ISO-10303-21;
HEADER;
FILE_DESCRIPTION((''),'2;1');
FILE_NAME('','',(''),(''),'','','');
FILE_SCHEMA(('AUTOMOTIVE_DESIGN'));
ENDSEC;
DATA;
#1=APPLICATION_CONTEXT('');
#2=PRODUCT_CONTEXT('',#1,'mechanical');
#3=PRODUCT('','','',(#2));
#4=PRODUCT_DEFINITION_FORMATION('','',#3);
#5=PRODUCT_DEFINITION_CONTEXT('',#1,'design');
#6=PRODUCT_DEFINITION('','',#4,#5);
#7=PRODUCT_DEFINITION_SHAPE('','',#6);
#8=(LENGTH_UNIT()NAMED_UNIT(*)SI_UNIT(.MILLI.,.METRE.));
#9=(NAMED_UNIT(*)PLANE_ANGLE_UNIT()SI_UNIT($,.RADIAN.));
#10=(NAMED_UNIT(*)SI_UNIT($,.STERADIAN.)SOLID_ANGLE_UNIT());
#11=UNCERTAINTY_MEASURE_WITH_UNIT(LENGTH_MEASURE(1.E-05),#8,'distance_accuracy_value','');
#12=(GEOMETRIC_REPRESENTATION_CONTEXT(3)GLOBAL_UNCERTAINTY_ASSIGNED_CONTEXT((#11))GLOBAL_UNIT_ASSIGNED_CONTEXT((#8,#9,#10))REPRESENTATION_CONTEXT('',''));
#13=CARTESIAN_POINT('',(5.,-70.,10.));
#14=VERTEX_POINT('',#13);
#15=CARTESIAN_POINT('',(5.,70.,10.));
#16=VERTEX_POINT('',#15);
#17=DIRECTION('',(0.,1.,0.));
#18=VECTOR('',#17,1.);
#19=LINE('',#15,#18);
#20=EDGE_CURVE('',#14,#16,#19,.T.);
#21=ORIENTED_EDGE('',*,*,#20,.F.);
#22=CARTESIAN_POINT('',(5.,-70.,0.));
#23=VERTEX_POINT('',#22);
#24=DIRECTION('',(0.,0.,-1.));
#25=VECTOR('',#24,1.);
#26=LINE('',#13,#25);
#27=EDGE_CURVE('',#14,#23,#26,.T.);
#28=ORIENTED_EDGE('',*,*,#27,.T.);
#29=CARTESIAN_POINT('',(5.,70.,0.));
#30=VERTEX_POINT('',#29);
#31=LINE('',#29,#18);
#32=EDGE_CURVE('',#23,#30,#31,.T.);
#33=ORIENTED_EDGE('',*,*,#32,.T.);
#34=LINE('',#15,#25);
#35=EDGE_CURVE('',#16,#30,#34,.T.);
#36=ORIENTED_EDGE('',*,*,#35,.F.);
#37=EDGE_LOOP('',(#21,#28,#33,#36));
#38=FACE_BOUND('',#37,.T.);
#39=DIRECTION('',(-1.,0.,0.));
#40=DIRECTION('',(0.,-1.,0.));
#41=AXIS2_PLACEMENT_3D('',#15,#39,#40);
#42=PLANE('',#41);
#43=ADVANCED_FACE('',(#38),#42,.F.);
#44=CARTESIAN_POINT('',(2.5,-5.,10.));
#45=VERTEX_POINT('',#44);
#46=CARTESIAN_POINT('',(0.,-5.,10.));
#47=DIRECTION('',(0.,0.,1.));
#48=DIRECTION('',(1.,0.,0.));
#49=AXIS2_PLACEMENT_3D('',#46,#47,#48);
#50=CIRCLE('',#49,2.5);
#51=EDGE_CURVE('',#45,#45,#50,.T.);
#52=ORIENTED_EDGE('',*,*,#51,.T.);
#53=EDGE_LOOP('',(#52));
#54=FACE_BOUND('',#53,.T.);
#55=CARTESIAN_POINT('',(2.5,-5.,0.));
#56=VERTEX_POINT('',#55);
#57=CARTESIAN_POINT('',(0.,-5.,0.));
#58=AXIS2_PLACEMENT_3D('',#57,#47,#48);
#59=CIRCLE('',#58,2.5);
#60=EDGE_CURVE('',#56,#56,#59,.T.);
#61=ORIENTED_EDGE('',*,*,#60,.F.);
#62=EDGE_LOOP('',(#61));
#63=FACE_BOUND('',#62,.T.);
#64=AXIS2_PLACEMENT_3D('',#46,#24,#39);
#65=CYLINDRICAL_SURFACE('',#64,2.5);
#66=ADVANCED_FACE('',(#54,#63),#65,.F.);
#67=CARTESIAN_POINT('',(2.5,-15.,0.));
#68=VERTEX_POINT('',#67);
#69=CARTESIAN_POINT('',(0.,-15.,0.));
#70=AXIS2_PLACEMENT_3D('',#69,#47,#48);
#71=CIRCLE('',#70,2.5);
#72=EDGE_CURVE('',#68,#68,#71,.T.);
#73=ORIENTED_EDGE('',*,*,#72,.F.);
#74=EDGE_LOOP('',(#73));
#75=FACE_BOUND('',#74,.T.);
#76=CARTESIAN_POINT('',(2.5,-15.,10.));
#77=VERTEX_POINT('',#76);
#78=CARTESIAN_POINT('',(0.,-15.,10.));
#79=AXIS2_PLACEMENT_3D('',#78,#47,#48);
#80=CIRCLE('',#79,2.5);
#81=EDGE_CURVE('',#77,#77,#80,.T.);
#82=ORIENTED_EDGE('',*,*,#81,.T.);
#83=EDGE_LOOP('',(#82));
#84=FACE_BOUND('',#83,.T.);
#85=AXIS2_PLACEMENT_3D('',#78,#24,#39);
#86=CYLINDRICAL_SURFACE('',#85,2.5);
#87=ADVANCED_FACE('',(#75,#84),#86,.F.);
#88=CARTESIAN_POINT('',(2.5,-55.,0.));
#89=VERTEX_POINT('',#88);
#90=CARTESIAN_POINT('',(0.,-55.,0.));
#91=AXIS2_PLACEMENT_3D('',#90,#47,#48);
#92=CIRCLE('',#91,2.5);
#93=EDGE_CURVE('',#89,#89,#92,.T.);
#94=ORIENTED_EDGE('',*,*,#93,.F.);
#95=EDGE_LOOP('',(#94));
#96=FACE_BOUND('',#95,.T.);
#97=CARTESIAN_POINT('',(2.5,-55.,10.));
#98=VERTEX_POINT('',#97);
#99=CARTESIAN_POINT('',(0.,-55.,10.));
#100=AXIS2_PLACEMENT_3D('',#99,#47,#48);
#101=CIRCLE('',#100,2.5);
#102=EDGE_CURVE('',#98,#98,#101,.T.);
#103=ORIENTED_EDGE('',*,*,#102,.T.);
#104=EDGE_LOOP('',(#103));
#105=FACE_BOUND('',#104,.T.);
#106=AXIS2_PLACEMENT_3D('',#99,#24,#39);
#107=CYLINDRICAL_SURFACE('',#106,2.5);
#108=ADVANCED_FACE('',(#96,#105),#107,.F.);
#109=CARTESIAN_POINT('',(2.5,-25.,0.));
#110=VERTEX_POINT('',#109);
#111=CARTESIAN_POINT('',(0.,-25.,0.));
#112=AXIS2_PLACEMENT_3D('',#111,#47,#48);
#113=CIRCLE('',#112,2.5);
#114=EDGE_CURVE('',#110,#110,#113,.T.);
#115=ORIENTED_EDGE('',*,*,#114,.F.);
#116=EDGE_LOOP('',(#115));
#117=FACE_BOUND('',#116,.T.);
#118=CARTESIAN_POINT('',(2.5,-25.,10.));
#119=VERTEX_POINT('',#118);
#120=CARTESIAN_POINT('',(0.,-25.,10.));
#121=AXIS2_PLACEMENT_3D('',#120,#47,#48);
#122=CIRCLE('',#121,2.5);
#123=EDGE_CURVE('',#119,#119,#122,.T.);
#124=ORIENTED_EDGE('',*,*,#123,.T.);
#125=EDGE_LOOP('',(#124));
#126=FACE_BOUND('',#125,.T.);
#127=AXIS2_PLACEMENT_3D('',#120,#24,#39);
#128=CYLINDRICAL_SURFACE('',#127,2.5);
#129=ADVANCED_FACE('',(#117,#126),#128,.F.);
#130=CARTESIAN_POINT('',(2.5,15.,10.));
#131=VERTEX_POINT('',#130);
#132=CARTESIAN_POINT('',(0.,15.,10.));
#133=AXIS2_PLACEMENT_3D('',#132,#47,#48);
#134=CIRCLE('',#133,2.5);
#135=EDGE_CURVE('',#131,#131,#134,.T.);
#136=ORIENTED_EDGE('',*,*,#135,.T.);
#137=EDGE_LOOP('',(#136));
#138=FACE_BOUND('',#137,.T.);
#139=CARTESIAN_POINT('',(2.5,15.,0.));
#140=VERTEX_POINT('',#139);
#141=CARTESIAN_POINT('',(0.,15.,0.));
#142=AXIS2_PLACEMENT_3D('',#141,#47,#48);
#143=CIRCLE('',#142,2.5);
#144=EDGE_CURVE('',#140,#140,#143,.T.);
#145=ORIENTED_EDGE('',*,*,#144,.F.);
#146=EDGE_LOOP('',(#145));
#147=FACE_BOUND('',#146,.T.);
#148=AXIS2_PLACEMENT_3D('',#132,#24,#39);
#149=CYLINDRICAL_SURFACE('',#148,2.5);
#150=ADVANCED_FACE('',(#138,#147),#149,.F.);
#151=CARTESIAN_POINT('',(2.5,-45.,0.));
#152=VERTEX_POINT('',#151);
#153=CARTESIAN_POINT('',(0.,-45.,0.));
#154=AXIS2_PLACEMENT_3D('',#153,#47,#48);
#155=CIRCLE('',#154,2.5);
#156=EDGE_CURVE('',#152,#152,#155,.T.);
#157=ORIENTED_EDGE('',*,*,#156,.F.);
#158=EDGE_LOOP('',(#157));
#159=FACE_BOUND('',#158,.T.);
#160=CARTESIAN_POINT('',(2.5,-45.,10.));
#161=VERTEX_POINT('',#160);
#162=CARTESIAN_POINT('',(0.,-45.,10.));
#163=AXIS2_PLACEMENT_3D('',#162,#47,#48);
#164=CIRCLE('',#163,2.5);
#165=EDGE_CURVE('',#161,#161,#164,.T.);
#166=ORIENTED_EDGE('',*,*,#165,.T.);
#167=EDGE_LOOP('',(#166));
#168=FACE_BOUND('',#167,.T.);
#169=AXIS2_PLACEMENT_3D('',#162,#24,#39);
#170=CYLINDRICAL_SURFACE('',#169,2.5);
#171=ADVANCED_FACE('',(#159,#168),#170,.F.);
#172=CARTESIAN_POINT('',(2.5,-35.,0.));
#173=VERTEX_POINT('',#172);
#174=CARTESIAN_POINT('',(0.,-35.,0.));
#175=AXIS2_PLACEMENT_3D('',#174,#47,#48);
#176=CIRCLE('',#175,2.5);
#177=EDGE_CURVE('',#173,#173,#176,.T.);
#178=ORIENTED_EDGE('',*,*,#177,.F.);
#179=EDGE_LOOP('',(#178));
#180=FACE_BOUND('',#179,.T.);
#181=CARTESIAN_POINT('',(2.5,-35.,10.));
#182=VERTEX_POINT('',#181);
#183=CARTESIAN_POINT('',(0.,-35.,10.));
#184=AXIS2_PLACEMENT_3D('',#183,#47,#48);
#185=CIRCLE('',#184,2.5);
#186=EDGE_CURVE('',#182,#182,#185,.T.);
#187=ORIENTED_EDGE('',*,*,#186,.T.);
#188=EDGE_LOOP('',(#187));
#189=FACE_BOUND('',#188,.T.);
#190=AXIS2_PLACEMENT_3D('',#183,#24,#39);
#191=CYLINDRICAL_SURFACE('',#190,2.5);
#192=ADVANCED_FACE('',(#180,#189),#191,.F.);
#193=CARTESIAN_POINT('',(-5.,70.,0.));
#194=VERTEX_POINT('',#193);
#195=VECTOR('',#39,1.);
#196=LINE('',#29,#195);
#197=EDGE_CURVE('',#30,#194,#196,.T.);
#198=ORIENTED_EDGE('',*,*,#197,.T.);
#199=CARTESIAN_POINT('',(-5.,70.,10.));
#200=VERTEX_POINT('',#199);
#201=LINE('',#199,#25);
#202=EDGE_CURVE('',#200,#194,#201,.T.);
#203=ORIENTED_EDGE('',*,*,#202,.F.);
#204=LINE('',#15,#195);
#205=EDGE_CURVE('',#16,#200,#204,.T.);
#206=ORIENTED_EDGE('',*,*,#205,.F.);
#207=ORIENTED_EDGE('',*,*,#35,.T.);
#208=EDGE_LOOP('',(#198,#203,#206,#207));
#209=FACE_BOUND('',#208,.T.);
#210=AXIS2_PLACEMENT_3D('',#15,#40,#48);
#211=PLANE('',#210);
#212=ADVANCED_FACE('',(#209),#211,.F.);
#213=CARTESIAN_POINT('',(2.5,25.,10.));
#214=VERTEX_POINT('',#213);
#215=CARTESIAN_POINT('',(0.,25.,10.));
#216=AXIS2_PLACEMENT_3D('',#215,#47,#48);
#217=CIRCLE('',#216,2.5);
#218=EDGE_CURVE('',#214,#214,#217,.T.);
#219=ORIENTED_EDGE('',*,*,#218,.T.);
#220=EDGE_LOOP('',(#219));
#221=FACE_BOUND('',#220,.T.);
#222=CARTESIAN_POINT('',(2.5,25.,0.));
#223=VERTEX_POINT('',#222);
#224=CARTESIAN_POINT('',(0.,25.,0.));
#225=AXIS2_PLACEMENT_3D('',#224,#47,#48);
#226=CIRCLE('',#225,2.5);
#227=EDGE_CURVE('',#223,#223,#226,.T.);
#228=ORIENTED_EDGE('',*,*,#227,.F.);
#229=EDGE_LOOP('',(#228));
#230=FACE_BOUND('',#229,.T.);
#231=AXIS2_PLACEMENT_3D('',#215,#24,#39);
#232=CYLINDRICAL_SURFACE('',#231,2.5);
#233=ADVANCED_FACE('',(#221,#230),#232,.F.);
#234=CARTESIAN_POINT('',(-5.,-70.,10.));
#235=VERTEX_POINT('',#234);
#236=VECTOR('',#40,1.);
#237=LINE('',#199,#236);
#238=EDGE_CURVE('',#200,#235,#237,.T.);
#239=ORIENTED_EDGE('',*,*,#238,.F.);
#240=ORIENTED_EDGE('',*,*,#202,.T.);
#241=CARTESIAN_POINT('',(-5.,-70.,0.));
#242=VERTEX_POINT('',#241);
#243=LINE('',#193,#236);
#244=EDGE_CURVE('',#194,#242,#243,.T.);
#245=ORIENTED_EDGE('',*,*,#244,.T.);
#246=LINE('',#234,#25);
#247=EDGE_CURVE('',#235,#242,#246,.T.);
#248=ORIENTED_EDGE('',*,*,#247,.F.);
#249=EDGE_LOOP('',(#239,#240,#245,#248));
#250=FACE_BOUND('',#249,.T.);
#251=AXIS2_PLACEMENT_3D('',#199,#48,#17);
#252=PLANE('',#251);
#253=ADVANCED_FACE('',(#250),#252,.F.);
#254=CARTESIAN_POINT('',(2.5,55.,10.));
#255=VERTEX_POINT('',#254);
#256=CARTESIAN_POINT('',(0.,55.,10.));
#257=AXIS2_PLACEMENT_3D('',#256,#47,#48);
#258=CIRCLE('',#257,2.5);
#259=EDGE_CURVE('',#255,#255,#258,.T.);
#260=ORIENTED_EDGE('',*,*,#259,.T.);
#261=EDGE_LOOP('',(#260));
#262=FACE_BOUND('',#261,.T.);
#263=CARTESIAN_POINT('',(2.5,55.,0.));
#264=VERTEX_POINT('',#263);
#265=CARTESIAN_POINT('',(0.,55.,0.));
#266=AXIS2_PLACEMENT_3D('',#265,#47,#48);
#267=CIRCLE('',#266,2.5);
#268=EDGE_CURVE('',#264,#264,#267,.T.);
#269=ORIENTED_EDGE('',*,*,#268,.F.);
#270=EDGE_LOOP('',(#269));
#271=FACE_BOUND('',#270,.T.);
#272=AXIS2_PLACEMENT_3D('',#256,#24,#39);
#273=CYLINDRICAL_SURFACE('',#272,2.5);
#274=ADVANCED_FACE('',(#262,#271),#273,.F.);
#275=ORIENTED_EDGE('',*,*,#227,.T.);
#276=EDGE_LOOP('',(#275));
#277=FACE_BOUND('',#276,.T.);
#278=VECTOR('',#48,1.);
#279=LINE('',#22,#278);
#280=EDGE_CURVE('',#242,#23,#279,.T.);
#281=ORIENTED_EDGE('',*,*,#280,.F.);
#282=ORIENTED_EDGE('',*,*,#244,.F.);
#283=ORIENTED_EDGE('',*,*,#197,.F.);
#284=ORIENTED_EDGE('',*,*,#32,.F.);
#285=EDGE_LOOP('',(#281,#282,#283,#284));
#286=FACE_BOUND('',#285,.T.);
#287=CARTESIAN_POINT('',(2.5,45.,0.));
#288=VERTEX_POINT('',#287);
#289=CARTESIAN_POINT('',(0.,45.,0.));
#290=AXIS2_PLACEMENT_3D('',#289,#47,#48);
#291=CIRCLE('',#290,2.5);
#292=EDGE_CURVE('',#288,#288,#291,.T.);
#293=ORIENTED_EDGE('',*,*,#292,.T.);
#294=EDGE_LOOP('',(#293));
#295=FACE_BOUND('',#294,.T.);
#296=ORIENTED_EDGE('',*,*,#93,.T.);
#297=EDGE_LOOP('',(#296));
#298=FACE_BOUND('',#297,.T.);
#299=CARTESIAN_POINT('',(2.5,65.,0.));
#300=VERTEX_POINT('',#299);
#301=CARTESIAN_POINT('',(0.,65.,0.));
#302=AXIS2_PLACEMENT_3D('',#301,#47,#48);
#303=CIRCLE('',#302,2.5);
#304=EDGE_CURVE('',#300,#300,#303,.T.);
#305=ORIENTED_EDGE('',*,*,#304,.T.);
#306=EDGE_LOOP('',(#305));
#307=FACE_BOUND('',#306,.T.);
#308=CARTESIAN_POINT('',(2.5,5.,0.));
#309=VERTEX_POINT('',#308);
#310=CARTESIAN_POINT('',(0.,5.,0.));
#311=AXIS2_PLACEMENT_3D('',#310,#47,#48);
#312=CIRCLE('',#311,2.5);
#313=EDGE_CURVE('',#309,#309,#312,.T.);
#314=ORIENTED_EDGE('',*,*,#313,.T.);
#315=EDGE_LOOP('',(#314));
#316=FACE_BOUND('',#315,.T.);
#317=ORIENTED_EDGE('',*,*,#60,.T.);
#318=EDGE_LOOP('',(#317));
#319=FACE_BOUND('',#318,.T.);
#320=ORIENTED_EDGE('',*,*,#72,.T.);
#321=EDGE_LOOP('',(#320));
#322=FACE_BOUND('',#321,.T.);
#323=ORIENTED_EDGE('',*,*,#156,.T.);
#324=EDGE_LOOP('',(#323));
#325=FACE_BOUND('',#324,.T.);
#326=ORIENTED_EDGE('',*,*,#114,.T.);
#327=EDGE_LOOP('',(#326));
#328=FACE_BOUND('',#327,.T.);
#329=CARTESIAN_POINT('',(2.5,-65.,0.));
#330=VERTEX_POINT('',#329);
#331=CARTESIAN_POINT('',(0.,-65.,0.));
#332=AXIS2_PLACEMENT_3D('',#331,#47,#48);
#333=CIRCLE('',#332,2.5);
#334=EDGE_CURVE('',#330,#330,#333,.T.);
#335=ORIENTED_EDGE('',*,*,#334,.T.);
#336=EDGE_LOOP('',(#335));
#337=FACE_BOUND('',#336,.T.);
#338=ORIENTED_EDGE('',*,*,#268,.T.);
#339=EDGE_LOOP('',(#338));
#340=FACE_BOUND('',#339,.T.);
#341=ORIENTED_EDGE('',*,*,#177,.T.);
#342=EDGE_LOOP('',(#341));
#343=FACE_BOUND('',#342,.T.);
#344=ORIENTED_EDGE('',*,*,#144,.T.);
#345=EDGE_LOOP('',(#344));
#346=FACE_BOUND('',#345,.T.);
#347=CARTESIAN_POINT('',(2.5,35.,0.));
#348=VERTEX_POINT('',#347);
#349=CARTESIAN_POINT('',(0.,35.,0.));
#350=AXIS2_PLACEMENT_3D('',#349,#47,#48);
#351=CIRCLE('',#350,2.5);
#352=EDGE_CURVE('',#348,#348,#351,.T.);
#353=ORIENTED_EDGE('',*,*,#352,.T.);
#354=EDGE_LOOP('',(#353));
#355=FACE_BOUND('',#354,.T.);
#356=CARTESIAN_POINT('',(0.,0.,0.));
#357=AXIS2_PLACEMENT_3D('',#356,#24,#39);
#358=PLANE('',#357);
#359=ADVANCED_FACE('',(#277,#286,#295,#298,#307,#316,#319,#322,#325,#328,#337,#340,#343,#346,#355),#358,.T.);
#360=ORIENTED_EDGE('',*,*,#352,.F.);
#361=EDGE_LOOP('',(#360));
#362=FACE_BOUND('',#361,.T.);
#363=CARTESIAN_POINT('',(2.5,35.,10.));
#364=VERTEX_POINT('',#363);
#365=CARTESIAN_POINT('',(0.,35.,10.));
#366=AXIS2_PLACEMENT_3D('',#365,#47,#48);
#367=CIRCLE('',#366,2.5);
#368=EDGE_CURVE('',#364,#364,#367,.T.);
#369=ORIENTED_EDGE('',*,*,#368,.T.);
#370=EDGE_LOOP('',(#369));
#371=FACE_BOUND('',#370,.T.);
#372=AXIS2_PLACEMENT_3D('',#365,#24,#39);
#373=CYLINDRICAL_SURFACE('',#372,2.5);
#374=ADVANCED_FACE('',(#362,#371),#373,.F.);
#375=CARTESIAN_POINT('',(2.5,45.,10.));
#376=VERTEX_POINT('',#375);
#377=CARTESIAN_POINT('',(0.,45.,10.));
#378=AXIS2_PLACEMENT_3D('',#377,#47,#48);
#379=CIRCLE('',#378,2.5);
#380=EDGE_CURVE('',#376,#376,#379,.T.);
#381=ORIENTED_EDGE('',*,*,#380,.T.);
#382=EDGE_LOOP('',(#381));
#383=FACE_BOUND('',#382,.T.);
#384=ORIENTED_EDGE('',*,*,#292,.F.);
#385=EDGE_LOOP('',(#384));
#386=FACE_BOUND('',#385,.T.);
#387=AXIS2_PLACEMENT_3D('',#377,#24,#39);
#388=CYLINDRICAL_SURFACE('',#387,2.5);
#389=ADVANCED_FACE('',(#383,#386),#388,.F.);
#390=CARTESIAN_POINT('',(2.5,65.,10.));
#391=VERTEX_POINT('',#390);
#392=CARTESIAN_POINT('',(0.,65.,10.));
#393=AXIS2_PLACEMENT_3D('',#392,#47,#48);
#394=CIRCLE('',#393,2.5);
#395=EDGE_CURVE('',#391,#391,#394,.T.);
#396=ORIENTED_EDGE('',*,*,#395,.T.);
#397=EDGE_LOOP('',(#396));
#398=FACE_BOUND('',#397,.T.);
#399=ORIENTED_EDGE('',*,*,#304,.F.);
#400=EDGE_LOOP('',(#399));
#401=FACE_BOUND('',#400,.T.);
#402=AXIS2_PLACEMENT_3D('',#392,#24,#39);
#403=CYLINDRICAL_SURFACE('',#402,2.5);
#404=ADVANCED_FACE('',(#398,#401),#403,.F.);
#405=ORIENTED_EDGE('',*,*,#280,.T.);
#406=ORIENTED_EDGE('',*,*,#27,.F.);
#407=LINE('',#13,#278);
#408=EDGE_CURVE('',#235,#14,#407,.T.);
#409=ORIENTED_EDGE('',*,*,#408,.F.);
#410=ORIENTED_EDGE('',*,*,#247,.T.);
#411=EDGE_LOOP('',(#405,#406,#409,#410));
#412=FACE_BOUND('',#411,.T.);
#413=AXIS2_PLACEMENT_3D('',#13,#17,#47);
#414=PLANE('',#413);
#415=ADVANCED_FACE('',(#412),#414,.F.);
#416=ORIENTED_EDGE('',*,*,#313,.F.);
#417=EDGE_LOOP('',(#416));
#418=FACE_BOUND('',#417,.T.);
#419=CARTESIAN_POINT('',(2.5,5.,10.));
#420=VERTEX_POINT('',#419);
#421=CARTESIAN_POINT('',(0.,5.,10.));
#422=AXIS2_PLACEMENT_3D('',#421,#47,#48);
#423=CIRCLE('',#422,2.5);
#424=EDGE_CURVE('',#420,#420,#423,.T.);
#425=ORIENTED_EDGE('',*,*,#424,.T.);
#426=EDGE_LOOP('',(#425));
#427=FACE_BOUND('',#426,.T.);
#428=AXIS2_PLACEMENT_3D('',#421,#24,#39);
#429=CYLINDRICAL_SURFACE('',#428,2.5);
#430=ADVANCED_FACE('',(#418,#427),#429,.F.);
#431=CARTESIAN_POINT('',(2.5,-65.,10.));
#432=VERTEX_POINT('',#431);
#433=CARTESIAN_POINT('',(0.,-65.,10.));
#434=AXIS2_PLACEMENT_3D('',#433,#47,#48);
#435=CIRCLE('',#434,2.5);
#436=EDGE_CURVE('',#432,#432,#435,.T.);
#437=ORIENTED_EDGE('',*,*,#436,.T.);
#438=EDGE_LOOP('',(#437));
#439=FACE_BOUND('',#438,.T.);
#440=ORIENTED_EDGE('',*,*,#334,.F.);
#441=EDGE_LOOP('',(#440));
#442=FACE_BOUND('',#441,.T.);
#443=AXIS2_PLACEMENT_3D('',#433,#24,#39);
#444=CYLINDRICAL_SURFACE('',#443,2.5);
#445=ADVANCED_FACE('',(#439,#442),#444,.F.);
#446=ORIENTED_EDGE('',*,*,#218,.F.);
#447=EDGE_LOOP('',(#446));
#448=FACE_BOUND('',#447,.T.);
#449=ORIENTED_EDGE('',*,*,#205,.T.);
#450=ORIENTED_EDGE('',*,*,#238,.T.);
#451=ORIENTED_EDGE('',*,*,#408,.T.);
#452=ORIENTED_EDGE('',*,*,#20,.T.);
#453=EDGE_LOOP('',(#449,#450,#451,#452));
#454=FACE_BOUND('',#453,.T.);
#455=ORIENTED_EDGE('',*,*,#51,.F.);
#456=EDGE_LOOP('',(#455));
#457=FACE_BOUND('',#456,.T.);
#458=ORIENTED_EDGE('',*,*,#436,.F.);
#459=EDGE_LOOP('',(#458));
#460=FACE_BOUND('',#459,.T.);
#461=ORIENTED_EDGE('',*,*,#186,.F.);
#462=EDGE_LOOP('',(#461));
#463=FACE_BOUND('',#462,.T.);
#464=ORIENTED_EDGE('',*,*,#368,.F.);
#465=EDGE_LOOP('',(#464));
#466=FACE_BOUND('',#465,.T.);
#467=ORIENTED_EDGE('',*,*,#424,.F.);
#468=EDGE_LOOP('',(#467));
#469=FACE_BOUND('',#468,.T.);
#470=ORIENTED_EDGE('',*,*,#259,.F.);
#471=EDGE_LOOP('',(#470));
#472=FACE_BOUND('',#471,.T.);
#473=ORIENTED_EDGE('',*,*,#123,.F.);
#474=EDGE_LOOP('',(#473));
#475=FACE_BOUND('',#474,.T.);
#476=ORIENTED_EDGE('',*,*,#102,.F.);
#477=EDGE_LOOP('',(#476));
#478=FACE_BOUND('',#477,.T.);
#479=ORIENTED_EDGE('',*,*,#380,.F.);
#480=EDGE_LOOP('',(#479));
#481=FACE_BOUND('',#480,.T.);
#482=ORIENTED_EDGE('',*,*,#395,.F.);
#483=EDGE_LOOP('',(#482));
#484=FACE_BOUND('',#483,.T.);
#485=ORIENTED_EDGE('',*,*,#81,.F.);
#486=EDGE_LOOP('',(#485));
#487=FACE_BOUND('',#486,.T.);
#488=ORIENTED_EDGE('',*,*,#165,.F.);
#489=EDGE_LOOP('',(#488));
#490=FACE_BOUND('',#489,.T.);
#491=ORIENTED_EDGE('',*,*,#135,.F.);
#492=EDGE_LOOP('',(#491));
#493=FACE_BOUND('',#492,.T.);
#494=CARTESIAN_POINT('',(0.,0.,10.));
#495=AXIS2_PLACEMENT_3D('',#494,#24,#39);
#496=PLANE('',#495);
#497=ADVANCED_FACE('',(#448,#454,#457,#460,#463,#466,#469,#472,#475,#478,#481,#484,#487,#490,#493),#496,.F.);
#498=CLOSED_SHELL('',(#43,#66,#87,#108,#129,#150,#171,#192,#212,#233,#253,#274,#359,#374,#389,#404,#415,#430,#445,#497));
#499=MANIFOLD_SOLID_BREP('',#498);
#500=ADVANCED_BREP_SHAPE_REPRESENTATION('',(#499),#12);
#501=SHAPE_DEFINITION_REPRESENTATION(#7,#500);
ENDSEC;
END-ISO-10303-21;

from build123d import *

# Parameters (mm, degrees)
ESQUISSE1_W = 10
ESQUISSE1_H = 140
ESQUISSE1_R = 2.5
BASE_DEPTH  = 10


with BuildPart() as part:
    # Esquisse1 → BASE (new body)
    with BuildSketch(Plane.XY):
        Rectangle(ESQUISSE1_W, ESQUISSE1_H)
        with Locations((0, 65)):
            Circle(ESQUISSE1_R, mode=Mode.SUBTRACT)
        with Locations((0, 55)):
            Circle(ESQUISSE1_R, mode=Mode.SUBTRACT)
        with Locations((0, 45)):
            Circle(ESQUISSE1_R, mode=Mode.SUBTRACT)
        with Locations((0, 35)):
            Circle(ESQUISSE1_R, mode=Mode.SUBTRACT)
        with Locations((0, 25)):
            Circle(ESQUISSE1_R, mode=Mode.SUBTRACT)
        with Locations((0, 15)):
            Circle(ESQUISSE1_R, mode=Mode.SUBTRACT)
        with Locations((0, 5)):
            Circle(ESQUISSE1_R, mode=Mode.SUBTRACT)
        with Locations((0, -5)):
            Circle(ESQUISSE1_R, mode=Mode.SUBTRACT)
        with Locations((0, -15)):
            Circle(ESQUISSE1_R, mode=Mode.SUBTRACT)
        with Locations((0, -25)):
            Circle(ESQUISSE1_R, mode=Mode.SUBTRACT)
        with Locations((0, -35)):
            Circle(ESQUISSE1_R, mode=Mode.SUBTRACT)
        with Locations((0, -45)):
            Circle(ESQUISSE1_R, mode=Mode.SUBTRACT)
        with Locations((0, -55)):
            Circle(ESQUISSE1_R, mode=Mode.SUBTRACT)
        with Locations((0, -65)):
            Circle(ESQUISSE1_R, mode=Mode.SUBTRACT)
    extrude(amount=BASE_DEPTH)


solid = part.part
